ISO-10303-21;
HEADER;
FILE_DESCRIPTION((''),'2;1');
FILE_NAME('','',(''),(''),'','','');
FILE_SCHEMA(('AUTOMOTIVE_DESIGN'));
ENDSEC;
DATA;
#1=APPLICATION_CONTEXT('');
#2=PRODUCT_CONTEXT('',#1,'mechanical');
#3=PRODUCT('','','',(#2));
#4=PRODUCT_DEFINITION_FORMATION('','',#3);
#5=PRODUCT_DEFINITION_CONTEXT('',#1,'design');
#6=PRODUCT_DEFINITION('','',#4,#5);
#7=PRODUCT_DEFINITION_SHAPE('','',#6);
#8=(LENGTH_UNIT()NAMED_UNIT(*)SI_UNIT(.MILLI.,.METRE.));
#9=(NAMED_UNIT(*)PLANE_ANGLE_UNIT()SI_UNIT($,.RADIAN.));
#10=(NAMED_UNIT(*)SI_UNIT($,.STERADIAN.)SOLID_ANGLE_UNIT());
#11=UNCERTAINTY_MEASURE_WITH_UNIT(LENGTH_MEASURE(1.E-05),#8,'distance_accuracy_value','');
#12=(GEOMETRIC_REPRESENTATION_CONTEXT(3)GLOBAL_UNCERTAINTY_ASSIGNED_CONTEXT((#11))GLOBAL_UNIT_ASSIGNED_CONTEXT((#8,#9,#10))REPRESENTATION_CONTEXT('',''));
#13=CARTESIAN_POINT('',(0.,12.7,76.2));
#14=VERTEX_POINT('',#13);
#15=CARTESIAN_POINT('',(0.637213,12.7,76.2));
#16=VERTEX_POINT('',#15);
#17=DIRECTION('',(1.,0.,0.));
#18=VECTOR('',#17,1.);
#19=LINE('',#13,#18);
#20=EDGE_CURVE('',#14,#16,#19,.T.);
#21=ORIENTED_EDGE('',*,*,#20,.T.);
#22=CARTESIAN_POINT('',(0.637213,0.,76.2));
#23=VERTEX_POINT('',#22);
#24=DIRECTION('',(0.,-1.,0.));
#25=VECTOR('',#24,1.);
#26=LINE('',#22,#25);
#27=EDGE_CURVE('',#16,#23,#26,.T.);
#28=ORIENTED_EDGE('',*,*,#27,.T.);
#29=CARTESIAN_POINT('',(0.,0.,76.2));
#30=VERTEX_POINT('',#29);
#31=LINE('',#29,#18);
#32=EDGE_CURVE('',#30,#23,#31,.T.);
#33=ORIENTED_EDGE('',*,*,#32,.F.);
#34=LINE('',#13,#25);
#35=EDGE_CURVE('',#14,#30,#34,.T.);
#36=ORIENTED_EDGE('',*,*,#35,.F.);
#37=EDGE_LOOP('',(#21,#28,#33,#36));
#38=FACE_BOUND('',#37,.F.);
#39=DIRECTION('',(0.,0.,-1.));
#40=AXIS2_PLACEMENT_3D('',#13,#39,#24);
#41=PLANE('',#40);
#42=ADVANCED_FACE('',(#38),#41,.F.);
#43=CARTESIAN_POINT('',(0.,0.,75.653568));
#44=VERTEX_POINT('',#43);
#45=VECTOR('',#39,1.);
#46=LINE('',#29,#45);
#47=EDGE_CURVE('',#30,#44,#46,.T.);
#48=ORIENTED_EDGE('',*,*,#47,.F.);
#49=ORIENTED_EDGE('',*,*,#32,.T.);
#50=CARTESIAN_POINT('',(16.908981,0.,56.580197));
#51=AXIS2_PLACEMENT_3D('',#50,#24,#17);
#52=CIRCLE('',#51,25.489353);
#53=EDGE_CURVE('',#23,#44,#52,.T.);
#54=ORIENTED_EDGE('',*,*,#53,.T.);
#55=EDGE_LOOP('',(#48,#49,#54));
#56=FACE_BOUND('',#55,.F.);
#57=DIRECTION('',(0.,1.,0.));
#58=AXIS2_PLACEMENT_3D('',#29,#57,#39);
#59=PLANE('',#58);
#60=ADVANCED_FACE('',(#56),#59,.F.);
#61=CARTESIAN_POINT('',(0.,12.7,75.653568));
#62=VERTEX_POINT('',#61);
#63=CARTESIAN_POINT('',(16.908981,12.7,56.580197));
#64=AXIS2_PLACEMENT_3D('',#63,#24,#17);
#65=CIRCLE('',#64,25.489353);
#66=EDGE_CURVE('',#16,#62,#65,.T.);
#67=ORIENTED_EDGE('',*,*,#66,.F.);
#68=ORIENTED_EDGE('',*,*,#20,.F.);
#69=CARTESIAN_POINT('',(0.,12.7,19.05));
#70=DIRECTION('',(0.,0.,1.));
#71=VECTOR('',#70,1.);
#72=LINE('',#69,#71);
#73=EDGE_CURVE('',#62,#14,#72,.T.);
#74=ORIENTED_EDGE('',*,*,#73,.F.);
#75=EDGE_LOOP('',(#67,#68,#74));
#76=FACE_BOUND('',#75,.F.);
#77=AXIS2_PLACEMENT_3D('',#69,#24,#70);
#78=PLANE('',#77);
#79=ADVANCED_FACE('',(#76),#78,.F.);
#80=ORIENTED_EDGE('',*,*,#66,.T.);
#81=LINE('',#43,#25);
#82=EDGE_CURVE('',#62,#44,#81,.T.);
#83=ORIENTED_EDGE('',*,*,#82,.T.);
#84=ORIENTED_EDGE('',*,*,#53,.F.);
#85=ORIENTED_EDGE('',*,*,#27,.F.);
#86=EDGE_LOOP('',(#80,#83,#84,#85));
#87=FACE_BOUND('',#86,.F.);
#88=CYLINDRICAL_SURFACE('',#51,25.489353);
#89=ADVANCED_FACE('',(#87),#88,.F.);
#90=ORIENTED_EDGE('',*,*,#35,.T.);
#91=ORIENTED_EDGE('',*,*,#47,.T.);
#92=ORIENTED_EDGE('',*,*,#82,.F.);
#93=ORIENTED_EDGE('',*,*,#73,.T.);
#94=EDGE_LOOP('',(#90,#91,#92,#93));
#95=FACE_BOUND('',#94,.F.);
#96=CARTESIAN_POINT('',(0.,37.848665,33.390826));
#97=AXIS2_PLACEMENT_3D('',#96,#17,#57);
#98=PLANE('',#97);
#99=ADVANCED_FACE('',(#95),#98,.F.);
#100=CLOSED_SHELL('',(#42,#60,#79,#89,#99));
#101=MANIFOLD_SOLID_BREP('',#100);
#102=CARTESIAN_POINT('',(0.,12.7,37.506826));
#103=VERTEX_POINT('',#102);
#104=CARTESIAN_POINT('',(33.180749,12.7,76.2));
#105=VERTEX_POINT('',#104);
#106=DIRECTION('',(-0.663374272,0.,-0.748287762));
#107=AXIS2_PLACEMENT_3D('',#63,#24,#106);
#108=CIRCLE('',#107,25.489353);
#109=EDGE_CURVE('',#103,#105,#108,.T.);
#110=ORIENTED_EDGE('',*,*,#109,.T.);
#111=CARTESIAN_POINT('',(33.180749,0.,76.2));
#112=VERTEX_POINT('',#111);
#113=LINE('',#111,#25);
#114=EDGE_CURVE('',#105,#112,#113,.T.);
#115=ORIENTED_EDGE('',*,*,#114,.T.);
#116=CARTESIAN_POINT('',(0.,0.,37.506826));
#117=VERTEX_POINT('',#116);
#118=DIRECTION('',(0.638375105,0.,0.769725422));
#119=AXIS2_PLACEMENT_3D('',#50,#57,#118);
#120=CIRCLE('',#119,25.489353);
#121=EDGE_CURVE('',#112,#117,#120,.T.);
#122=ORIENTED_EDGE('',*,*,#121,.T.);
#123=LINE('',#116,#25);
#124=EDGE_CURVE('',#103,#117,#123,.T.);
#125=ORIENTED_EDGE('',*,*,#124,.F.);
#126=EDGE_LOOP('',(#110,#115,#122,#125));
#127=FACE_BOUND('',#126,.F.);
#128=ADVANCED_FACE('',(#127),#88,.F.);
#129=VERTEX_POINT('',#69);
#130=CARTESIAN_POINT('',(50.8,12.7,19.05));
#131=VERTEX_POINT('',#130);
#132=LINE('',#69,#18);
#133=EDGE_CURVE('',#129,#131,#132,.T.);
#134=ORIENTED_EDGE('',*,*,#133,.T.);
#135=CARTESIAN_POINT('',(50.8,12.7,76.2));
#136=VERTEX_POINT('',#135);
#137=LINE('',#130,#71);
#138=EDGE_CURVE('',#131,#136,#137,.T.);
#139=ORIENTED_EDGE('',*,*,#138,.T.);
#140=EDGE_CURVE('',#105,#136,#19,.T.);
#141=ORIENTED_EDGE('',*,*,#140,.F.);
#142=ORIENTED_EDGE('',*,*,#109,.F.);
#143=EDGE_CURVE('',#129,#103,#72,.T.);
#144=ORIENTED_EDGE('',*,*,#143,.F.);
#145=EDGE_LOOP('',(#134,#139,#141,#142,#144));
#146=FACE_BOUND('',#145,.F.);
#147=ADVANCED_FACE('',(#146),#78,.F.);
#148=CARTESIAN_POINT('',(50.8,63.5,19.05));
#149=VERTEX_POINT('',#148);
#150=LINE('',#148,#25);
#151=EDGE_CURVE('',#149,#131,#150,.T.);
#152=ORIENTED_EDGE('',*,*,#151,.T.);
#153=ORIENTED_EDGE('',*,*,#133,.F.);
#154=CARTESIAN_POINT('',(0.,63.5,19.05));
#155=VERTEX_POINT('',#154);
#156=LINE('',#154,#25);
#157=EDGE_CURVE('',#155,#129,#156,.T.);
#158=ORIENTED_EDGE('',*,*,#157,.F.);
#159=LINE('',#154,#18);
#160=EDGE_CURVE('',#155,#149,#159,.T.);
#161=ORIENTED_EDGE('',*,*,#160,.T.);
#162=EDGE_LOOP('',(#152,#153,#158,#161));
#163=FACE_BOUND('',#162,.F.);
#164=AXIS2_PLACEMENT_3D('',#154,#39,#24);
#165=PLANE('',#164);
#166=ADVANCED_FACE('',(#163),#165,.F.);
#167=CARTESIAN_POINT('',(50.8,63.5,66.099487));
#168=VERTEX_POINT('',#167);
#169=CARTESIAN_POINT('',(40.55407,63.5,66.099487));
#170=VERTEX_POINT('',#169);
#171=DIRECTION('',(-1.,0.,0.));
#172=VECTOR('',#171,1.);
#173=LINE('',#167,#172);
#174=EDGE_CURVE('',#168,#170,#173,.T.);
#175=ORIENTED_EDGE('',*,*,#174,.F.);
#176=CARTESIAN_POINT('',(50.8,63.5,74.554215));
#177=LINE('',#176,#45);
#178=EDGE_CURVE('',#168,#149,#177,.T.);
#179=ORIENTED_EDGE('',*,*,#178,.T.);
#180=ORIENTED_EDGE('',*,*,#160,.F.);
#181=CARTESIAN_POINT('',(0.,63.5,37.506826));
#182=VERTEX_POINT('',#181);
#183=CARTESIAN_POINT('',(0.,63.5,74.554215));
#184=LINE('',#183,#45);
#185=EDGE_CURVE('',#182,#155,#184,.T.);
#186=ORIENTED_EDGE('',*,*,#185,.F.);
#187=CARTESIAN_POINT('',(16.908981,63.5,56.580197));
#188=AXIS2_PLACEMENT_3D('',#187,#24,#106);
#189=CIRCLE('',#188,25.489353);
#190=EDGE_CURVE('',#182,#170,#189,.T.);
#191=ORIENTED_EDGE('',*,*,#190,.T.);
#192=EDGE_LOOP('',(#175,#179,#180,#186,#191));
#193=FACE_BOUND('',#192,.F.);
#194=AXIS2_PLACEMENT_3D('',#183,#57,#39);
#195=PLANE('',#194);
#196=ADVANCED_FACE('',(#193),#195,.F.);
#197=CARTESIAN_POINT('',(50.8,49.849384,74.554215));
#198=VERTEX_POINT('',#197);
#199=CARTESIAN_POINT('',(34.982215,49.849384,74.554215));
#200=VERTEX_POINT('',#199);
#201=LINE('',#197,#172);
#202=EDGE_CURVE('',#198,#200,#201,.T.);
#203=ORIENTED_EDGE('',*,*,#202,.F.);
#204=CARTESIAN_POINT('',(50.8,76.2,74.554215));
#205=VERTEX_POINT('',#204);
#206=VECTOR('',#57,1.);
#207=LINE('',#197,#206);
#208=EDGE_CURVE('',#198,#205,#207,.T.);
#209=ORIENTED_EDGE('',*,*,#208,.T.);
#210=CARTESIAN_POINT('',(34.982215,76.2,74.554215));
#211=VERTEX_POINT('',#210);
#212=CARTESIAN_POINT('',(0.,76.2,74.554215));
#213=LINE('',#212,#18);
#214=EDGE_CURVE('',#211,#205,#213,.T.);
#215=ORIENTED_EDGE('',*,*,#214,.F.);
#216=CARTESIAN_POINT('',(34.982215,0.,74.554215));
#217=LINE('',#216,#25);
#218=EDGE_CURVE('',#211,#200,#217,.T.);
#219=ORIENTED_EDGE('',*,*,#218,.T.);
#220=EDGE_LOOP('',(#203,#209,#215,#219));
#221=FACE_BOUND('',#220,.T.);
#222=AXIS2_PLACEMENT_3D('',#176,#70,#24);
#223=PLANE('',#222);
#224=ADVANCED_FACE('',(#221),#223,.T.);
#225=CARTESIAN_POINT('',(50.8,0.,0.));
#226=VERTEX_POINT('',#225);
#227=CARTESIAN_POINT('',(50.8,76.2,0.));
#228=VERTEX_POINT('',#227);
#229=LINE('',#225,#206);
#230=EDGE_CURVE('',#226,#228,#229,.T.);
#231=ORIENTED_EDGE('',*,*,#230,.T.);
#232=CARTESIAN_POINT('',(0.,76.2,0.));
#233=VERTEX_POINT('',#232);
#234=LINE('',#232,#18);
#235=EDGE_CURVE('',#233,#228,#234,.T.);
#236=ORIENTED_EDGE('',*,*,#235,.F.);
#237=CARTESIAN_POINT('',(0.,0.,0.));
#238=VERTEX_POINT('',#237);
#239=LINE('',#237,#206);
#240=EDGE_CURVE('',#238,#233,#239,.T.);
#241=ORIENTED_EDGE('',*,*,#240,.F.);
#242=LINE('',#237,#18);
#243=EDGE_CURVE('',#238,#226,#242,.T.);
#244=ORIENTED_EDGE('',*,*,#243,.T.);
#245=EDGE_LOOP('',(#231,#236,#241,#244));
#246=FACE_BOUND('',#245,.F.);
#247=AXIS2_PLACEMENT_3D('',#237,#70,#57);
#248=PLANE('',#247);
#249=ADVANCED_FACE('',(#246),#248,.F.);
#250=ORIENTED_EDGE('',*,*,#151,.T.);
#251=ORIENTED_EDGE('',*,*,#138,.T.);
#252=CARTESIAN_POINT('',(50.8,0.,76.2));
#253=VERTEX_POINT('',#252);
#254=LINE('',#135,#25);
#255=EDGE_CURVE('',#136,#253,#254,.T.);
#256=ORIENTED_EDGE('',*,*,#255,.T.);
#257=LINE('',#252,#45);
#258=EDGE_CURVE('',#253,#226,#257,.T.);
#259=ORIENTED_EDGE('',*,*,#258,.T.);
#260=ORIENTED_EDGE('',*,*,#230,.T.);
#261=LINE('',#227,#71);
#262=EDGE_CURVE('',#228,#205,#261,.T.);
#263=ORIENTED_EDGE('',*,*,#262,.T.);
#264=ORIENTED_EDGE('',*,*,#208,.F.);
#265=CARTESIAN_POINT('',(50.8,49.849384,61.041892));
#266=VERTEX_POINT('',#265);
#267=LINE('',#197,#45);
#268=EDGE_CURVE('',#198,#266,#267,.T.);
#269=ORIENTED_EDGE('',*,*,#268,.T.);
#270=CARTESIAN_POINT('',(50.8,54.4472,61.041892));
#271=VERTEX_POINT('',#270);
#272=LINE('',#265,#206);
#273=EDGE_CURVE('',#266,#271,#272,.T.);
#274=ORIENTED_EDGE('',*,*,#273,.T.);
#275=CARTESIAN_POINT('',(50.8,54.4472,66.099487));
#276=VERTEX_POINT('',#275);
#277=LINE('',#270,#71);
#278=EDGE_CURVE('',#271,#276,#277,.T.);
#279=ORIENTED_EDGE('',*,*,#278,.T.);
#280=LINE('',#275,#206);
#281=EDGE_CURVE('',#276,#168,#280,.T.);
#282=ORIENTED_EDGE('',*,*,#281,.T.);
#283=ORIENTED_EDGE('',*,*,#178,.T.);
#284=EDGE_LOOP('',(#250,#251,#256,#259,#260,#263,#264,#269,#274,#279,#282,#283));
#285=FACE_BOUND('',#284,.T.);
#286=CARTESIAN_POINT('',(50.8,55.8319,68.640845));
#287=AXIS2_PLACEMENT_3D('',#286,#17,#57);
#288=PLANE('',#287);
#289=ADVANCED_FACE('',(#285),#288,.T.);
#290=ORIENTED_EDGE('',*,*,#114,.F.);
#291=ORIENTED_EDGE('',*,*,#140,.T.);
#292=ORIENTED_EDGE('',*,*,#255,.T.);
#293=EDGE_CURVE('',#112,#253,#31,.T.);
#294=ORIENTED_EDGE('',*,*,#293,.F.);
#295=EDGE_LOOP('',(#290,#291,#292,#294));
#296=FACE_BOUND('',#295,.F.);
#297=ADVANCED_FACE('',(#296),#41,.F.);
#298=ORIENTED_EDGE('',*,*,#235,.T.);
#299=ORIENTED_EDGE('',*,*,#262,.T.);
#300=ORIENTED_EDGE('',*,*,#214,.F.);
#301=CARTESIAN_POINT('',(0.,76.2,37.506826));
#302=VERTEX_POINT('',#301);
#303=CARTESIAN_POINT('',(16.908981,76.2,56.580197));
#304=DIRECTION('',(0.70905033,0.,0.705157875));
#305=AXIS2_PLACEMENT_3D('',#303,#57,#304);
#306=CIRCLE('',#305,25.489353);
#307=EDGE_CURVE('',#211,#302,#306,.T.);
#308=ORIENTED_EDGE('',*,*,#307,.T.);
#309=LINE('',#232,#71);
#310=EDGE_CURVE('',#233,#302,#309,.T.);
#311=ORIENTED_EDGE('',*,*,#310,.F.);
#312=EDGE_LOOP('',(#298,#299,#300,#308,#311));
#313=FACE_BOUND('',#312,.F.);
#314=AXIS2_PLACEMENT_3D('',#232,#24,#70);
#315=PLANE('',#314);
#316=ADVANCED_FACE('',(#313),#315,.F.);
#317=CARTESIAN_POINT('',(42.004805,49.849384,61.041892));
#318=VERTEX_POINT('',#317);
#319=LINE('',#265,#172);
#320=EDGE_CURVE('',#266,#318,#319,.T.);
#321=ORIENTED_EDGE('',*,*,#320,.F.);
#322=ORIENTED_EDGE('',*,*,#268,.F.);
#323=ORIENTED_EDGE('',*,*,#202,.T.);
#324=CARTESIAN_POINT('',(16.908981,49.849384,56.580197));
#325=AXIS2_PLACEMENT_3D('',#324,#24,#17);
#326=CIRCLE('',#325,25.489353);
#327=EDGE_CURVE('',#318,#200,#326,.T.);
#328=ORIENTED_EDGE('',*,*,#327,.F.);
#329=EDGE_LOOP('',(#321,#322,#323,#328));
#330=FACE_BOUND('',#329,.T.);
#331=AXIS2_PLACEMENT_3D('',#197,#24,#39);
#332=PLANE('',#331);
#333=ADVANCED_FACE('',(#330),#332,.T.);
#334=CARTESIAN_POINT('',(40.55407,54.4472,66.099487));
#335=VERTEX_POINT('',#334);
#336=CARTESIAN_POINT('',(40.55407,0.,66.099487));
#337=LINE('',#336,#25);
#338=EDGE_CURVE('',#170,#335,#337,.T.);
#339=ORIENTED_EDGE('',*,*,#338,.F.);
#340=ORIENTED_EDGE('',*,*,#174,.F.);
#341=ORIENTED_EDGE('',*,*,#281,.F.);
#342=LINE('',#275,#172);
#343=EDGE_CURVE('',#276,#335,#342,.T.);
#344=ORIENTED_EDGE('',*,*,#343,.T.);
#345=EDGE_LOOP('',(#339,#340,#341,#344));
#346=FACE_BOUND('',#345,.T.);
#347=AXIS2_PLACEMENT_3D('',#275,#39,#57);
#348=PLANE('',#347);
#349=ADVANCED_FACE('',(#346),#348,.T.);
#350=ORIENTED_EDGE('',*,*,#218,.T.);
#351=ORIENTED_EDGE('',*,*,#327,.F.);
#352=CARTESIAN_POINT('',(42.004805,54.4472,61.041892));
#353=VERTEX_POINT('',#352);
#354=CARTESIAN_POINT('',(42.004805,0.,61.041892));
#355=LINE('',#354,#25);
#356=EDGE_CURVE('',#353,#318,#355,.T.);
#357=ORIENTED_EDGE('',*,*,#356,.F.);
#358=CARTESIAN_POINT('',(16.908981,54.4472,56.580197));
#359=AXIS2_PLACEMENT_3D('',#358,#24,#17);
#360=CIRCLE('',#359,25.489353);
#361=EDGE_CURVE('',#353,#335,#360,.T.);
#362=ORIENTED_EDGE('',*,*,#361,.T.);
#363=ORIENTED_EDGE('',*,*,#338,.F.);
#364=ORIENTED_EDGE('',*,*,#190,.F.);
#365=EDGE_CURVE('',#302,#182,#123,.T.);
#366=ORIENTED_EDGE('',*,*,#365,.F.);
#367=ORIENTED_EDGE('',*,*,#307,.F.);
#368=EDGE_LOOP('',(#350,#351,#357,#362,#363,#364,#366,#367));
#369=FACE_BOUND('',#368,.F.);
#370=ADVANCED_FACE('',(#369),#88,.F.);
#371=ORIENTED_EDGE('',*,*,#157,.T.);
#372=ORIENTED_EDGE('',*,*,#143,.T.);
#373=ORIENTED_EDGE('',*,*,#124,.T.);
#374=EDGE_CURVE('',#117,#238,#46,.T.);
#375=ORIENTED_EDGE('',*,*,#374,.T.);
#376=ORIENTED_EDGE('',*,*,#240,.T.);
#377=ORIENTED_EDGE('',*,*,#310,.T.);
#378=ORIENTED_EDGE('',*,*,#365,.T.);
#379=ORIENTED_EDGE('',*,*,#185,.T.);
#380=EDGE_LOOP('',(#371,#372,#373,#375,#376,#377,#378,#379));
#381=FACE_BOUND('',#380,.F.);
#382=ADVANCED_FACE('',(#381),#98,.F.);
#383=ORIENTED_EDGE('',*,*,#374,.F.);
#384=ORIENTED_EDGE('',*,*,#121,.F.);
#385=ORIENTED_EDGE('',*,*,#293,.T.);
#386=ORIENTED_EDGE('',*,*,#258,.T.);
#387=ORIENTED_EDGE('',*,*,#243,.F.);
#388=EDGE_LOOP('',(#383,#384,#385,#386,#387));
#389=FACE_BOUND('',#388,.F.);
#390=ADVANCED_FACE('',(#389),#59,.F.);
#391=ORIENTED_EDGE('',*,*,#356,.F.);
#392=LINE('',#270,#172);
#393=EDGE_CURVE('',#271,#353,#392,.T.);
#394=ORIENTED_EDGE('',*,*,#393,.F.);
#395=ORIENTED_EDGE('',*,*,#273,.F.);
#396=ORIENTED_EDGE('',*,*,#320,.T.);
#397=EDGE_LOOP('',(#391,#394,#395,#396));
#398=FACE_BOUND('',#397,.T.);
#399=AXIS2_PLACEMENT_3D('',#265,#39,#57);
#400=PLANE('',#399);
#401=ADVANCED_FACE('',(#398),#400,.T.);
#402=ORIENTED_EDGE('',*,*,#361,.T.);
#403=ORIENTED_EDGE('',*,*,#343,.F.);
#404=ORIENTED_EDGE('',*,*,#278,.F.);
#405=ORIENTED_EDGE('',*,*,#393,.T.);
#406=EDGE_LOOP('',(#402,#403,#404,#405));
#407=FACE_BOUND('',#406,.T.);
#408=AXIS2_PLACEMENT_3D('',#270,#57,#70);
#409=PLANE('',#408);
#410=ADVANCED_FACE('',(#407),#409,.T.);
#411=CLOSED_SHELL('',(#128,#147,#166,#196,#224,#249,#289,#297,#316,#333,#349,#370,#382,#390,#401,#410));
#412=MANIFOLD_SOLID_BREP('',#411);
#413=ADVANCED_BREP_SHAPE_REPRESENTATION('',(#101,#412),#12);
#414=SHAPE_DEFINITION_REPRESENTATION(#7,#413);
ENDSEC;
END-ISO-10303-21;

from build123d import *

# Parameters (mm, degrees)
F1_DEPTH = 50.8
F4_DEPTH = 25.4
F3_R     = 25.489353
F5_DEPTH = 76.201


with BuildPart() as f1:
    # F0 (on Right) → F1 (new body)
    with BuildSketch(Plane.YZ):
        Polygon((0, 76.2), (0, 0), (76.2, 0), (76.2, 74.554215), (63.5, 74.554215), (63.5, 19.05), (12.7, 19.05), (12.7, 76.2), align=None)
    extrude(amount=F1_DEPTH)

    # F2 (on face) → F4 (join)
    with BuildSketch(Plane.YZ.offset(50.8)):
        Polygon((63.5, 66.099487), (63.5, 74.554215), (49.849384, 74.554215), (49.849384, 61.041892), (54.4472, 61.041892), (54.4472, 66.099487), align=None)
    extrude(amount=-F4_DEPTH)

    # F3 (on face) → F5 (cut, through all)
    with BuildSketch(Plane.XZ):
        with Locations((16.908981, 56.580197)):
            Circle(F3_R)
    extrude(amount=-F5_DEPTH, mode=Mode.SUBTRACT)


solid = f1.part
